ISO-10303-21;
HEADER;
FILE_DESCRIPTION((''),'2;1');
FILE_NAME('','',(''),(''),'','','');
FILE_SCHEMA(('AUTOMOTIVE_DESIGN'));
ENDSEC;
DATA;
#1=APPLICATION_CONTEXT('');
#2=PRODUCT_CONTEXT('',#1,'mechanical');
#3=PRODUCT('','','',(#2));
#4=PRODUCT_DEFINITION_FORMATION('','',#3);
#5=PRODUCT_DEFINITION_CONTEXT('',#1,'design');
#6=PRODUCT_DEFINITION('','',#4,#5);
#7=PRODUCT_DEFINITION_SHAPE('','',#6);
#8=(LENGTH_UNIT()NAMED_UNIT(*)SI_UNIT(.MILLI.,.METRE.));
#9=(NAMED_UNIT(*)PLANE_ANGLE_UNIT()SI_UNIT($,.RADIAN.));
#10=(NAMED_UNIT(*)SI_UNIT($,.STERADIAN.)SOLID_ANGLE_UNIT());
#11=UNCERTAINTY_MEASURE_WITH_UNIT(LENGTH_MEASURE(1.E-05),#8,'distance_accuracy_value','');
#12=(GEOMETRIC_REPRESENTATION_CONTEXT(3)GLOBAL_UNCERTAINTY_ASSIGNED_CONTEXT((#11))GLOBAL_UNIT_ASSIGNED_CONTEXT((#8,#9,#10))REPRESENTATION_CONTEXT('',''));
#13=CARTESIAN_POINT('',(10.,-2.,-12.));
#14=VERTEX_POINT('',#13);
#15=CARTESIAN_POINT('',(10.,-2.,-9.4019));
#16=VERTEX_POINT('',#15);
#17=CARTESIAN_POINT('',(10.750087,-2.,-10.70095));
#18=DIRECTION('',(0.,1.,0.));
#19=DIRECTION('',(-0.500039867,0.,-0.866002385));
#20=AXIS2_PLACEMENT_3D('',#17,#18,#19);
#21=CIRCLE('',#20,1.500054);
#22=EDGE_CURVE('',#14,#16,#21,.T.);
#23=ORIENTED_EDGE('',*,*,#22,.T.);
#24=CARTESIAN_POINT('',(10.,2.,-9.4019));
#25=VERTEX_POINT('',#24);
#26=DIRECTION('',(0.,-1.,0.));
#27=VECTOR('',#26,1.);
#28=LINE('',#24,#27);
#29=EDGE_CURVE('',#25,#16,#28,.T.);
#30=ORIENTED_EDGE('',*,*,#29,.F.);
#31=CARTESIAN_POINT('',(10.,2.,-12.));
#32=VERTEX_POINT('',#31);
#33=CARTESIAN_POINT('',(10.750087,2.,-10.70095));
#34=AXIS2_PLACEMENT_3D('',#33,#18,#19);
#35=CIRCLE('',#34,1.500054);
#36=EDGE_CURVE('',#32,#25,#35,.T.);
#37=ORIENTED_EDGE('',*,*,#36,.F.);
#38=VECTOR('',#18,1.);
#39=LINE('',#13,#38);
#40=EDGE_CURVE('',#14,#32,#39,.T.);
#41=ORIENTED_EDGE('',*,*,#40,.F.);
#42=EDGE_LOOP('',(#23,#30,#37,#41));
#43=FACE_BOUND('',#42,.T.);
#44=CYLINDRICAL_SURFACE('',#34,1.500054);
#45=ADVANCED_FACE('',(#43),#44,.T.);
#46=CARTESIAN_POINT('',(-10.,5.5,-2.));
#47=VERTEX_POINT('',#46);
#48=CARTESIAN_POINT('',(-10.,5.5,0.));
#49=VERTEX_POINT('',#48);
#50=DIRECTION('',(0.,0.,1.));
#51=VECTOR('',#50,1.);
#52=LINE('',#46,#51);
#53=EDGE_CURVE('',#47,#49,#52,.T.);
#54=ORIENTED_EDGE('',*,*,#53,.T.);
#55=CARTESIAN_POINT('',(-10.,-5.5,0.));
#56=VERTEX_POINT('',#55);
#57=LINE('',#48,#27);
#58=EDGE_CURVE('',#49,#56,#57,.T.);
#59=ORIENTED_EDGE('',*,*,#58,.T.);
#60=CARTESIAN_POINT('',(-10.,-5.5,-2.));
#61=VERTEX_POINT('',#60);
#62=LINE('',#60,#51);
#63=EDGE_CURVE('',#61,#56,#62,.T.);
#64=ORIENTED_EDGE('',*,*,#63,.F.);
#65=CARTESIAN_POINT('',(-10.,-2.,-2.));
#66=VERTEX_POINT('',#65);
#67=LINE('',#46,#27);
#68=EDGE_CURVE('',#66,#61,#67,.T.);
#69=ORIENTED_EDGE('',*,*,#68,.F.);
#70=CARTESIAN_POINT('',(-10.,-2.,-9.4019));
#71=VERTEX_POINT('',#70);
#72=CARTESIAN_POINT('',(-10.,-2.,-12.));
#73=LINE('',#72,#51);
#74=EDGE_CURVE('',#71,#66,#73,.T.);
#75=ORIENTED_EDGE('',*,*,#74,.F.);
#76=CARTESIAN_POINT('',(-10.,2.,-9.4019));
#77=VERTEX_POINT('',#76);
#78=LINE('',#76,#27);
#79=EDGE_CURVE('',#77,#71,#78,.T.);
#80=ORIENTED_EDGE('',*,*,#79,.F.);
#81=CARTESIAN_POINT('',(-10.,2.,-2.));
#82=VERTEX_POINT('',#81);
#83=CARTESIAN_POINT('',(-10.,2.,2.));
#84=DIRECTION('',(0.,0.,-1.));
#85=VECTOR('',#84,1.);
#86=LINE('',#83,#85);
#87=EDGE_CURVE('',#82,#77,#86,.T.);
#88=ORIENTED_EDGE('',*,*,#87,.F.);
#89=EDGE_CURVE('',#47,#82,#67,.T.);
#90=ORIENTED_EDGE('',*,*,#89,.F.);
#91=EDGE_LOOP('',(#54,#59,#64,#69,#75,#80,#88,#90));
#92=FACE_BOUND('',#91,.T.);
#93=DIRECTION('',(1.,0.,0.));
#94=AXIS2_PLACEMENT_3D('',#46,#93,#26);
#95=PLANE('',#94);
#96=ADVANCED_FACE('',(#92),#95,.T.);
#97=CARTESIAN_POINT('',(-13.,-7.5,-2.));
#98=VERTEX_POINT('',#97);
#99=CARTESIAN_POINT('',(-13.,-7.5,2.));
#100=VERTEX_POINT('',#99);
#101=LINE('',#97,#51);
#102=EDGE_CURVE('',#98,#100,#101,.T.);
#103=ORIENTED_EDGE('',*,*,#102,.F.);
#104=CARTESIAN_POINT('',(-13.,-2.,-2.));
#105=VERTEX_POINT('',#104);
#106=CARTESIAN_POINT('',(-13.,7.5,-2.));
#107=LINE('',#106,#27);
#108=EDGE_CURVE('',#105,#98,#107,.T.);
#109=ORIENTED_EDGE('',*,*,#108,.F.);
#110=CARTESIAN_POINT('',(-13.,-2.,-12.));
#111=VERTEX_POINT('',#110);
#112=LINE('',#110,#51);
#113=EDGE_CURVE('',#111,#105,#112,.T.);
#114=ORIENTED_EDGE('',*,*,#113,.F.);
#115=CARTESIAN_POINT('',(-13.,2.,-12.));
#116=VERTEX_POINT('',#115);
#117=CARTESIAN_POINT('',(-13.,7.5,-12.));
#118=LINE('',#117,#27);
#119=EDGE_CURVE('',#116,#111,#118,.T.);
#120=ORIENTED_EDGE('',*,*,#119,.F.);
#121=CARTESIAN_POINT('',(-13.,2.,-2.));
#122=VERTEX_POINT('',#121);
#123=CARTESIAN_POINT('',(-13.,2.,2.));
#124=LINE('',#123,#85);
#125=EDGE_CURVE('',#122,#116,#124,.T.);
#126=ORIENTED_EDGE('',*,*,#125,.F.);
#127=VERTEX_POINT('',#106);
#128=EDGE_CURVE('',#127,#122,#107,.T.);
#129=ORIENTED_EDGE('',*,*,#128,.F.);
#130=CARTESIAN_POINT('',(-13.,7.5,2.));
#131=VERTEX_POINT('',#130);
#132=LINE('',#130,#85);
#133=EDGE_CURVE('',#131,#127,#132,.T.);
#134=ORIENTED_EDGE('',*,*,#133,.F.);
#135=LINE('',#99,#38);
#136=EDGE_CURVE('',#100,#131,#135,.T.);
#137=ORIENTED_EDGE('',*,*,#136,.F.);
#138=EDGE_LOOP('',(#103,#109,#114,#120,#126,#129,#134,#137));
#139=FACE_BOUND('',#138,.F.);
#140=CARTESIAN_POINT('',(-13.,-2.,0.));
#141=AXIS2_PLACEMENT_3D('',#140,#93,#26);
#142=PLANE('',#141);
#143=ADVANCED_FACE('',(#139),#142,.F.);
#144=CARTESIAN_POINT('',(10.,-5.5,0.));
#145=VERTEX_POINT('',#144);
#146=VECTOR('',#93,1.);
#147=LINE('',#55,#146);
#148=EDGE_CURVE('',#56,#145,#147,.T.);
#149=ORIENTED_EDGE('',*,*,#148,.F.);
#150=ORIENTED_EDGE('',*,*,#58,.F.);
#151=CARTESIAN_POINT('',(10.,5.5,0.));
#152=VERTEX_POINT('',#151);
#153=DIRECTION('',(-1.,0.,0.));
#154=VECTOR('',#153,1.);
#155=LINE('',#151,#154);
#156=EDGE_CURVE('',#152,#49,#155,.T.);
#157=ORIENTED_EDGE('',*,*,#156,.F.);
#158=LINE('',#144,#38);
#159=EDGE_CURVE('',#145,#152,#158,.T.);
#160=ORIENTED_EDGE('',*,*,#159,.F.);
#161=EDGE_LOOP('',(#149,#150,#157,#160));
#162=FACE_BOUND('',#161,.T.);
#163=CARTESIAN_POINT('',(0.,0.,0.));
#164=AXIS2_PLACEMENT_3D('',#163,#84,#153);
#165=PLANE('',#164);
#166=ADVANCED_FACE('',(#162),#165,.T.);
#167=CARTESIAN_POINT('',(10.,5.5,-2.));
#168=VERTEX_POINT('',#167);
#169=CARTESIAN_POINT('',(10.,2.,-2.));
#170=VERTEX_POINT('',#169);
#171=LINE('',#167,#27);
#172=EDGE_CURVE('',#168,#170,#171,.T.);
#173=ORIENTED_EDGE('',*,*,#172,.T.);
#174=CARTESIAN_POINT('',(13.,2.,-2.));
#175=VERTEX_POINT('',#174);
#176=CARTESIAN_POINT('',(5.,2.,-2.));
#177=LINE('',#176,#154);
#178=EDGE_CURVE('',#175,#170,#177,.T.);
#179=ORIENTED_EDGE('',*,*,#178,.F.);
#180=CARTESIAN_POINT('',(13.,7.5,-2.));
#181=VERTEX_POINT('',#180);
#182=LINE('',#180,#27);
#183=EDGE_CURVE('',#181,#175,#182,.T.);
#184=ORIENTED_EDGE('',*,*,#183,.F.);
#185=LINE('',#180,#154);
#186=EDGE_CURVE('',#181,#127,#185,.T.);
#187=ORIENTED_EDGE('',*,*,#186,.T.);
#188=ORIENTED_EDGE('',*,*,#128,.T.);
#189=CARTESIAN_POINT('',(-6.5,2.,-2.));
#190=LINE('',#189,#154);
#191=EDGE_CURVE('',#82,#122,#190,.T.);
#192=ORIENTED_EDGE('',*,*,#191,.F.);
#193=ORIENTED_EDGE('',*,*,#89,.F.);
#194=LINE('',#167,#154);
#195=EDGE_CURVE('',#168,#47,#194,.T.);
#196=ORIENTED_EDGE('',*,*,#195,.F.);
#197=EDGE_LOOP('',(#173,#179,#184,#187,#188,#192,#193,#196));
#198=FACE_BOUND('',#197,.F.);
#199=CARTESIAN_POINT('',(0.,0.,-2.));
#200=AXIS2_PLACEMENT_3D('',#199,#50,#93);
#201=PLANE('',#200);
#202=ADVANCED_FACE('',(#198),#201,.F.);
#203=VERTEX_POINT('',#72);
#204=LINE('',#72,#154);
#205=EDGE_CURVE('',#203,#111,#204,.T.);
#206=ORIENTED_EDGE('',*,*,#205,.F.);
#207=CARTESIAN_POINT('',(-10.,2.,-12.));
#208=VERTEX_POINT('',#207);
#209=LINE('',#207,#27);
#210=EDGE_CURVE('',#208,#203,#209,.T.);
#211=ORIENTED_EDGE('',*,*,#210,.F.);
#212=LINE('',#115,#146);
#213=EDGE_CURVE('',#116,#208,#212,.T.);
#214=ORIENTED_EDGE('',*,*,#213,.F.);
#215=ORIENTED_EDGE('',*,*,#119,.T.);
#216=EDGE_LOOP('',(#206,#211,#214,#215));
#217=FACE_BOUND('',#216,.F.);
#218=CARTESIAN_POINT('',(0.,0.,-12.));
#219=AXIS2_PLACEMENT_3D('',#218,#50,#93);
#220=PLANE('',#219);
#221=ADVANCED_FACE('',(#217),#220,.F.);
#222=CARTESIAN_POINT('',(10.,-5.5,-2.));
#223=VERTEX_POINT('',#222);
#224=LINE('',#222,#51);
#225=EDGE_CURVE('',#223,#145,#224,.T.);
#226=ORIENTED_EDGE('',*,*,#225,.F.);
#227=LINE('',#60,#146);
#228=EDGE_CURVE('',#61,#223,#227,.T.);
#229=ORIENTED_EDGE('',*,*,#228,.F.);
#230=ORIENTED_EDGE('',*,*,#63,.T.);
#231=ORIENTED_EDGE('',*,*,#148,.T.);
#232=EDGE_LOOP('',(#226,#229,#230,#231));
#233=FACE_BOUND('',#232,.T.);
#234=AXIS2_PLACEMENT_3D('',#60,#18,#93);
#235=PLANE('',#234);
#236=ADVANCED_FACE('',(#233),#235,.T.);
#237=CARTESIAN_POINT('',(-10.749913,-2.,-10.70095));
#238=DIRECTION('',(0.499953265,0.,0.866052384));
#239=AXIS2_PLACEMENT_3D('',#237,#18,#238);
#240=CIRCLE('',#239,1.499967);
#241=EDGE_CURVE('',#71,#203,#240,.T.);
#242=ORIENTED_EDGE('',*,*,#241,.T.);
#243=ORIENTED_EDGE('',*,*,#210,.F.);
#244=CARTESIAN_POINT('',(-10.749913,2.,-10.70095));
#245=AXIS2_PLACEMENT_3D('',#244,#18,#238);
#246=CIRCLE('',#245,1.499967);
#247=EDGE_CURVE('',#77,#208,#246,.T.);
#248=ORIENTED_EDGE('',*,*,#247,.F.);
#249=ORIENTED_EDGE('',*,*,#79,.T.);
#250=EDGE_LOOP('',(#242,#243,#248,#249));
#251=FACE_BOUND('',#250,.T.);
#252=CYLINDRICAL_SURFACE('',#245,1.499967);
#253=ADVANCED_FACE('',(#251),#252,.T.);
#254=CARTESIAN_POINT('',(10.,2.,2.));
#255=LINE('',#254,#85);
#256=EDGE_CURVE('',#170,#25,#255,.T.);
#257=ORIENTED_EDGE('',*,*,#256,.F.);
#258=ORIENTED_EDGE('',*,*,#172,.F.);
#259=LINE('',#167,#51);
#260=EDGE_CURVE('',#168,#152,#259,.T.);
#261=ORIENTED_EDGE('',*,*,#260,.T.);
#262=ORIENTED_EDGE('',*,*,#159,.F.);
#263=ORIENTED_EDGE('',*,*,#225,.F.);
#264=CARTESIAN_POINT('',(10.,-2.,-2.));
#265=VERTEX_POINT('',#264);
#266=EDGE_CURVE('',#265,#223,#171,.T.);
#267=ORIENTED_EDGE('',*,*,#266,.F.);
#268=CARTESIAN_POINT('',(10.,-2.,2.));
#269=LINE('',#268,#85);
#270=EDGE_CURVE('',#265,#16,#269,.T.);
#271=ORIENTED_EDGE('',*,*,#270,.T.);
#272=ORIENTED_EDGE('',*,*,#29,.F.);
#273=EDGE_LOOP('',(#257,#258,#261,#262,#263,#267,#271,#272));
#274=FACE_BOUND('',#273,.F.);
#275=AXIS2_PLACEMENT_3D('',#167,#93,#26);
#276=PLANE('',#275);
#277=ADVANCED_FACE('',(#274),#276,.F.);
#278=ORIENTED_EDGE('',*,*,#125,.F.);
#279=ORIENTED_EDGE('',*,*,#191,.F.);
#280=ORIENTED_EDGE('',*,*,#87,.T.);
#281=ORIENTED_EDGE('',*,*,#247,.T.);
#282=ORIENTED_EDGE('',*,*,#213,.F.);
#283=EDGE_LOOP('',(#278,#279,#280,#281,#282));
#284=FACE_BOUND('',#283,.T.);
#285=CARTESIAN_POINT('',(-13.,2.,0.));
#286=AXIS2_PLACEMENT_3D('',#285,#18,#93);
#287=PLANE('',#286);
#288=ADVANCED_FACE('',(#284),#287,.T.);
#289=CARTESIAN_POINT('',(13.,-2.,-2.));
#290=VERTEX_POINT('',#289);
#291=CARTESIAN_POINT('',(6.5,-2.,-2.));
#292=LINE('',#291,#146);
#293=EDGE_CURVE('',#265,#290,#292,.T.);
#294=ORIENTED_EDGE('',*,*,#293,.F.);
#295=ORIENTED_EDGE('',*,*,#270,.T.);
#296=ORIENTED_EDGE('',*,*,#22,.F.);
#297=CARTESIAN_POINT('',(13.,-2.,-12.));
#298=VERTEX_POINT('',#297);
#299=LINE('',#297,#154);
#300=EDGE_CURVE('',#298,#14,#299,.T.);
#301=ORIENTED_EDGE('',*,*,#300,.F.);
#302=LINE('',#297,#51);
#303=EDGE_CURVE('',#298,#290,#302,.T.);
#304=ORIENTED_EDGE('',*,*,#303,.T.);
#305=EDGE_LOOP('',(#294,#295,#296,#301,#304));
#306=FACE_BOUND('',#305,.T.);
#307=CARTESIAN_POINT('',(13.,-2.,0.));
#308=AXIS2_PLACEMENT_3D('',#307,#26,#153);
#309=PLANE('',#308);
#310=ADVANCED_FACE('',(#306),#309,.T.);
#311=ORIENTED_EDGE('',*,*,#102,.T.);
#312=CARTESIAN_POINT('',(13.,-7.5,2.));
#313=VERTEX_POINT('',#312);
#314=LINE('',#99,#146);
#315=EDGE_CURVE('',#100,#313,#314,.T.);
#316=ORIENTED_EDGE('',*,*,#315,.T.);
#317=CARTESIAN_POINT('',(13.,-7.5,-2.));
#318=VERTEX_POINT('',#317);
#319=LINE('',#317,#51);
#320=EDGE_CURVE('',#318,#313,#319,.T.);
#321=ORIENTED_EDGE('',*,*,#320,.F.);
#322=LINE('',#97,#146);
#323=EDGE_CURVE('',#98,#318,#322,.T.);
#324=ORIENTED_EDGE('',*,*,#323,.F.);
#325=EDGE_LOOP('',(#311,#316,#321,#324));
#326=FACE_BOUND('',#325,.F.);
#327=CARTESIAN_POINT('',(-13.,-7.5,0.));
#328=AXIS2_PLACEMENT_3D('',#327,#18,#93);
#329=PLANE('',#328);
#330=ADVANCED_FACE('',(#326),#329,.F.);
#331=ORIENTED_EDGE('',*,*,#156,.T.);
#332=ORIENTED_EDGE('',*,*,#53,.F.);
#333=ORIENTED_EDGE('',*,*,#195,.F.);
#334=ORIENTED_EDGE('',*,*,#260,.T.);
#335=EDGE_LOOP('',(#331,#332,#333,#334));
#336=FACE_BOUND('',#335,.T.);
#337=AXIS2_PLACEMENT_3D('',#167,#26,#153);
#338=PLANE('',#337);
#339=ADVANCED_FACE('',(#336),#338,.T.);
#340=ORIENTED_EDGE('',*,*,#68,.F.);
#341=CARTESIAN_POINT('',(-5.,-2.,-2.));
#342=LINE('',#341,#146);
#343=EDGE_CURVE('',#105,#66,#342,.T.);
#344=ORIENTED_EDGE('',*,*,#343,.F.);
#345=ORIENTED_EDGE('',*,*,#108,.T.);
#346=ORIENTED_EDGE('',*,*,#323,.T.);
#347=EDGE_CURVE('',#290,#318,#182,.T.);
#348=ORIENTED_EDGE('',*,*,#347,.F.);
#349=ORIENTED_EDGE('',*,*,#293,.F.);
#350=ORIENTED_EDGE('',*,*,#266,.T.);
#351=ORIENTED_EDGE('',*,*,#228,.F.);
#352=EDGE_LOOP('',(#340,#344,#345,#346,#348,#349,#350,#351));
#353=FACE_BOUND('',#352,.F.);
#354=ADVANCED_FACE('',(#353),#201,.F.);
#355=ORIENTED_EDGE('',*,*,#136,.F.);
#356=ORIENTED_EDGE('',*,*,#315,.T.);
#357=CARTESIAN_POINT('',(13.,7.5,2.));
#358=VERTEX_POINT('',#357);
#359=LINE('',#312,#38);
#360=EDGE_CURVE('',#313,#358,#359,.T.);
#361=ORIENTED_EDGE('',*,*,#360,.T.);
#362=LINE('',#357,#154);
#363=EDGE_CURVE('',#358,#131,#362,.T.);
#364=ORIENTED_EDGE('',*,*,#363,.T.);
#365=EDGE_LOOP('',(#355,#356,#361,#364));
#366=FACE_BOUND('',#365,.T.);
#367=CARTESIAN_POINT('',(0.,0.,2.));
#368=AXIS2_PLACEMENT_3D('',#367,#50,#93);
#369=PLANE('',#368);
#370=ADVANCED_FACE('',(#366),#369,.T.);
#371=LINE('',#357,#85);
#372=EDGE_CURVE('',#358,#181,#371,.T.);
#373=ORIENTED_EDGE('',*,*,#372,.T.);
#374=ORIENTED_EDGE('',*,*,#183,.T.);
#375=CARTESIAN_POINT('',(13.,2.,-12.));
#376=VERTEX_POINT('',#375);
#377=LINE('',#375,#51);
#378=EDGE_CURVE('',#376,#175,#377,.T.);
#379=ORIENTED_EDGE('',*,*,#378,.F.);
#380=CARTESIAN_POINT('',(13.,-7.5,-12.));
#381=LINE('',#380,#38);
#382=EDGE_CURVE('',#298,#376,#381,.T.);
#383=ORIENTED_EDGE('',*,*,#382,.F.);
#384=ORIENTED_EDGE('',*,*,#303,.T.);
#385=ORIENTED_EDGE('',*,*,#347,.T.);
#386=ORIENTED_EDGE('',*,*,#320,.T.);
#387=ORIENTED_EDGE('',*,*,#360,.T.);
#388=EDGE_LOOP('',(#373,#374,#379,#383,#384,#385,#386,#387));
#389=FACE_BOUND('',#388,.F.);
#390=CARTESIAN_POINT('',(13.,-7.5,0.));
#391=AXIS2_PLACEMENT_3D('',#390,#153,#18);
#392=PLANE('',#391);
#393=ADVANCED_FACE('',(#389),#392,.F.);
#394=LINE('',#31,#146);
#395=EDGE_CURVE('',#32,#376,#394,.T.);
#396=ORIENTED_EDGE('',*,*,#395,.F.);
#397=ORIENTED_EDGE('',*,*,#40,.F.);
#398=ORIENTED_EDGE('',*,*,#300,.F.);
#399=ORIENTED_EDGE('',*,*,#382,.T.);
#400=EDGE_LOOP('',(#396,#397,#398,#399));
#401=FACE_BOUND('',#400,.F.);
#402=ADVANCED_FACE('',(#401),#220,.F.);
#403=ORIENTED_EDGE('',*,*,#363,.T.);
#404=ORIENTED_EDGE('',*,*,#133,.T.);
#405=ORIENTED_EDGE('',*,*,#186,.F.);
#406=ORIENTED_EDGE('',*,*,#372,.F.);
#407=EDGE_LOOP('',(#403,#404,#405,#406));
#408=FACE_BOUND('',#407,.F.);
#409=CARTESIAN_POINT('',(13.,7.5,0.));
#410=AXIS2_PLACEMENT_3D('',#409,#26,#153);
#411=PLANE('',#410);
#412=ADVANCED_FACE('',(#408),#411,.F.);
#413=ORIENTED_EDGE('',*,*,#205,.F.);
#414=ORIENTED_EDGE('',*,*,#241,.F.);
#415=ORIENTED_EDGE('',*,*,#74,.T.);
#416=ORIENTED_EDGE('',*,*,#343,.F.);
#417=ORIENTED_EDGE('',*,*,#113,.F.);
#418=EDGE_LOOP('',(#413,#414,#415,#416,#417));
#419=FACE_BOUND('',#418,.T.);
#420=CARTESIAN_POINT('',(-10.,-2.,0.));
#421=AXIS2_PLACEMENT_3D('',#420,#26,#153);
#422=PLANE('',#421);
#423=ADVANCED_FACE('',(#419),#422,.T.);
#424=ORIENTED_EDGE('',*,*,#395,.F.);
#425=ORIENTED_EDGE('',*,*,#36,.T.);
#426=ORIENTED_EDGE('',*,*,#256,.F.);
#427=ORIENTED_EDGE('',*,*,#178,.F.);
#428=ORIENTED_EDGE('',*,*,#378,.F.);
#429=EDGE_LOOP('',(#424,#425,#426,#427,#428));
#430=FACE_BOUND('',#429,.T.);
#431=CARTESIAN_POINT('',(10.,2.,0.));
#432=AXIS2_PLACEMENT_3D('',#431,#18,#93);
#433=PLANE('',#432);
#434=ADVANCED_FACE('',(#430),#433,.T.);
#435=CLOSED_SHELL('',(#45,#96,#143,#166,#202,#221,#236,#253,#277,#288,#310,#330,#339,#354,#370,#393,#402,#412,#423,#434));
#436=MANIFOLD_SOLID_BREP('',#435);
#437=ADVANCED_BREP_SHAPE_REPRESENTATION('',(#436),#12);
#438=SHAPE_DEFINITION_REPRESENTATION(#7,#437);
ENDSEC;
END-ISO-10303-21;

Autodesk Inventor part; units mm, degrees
ref_plane "YZ Plane" through (0, 0, 0) normal (1, 0, 0) x (0, 1, 0)
ref_plane "XZ Plane" through (0, 0, 0) normal (0, 1, 0) x (-1, 0, 0)
ref_plane "XY Plane" through (0, 0, 0) normal (0, 0, 1) x (1, 0, 0)
sketch "Sketch2" plane through (0, 0, 0) normal (0, 0, 1) x (1, 0, 0)
  line L0 (-13, -7.5) -> (13, -7.5)
  line L1 (13, -7.5) -> (13, 7.5)
  line L2 (13, 7.5) -> (-13, 7.5)
  line L3 (-13, 7.5) -> (-13, -7.5)
  line L4 (-13, -7.5) -> (13, 7.5) construction
  line L5 (13, -7.5) -> (-13, 7.5) construction
  line L6 (-13, 2) -> (-10, 2)
  line L7 (-10, 2) -> (-10, -2)
  line L8 (-10, -2) -> (-13, -2)
  line L9 (0, 7.5) -> (0, -7.5) construction
  line L10 (13, -2) -> (10, -2)
  line L11 (10, -2) -> (10, 2)
  line L12 (10, 2) -> (13, 2)
  point P0 (0, 0)
  point P1 (0, 0)
  point P2 (-10, 0)
  point P3 (10, 0)
  dimension "d0" = 26
  dimension "d3" = 15
  dimension "d7" = 4
  dimension "d17" = 3
extrude "Extrusion1" add sketch "Sketch2" along normal mid plane 4
sketch "Sketch3" plane through (0, 0, -2) normal (0, 0, -1) x (-1, 0, 0)
  line L0 (-13, -7.5) -> (13, -7.5) projected
  line L1 (13, -7.5) -> (13, 7.5) projected
  line L2 (13, 7.5) -> (-13, 7.5) projected
  line L3 (-13, 7.5) -> (-13, -7.5) projected
  line L4 (-10, 5.5) -> (10, 5.5)
  line L5 (10, -5.5) -> (-10, -5.5)
  line L6 (-10, 5.5) -> (-10, -5.5)
  line L7 (10, 5.5) -> (10, -5.5)
  point P0 (0, 0)
  dimension "d4" = 2
  dimension "d18" = 2
  dimension "d19" = 3
  dimension "d20" = 3
extrude "Extrusion2" cut sketch "Sketch3" against normal blind 2 contours L4 L7 L5 L6
extrude "Extrusion3" add sketch "Sketch2" along normal blind 2 and the other way blind 12 contours L3 L6 L7 L8 | L10 L11 L12 L1
sketch "Sketch4" plane through (13, 2, 2) normal (0, 1, 0) x (1, 0, 0)
  line L0 (-3, 4.007) -> (-3, 14)
  arc A0 (-3, 14) -> (-3, 11.4019) centre (-2.25, 12.701) ccw
  line L1 (-3, 11.4019) -> (-3, 14)
  line L2 (-13, 2) -> (-13, 0) construction
  line L3 (-26, 0) -> (0, 0) construction
  line L4 (-23, 14) -> (-23, 4.007)
  arc A1 (-23, 11.4019) -> (-23, 14) centre (-23.75, 12.701) ccw
  line L5 (-3, 4) -> (-3, 14) projected
  dimension "d13" = 1.5
  dimension "d14" = 0.75
extrude "Extrusion4" add sketch "Sketch4" against normal blind 4
equation "\"d18\" = d4"
equation "\"d20\" = d19"
properties part number "Cover"
